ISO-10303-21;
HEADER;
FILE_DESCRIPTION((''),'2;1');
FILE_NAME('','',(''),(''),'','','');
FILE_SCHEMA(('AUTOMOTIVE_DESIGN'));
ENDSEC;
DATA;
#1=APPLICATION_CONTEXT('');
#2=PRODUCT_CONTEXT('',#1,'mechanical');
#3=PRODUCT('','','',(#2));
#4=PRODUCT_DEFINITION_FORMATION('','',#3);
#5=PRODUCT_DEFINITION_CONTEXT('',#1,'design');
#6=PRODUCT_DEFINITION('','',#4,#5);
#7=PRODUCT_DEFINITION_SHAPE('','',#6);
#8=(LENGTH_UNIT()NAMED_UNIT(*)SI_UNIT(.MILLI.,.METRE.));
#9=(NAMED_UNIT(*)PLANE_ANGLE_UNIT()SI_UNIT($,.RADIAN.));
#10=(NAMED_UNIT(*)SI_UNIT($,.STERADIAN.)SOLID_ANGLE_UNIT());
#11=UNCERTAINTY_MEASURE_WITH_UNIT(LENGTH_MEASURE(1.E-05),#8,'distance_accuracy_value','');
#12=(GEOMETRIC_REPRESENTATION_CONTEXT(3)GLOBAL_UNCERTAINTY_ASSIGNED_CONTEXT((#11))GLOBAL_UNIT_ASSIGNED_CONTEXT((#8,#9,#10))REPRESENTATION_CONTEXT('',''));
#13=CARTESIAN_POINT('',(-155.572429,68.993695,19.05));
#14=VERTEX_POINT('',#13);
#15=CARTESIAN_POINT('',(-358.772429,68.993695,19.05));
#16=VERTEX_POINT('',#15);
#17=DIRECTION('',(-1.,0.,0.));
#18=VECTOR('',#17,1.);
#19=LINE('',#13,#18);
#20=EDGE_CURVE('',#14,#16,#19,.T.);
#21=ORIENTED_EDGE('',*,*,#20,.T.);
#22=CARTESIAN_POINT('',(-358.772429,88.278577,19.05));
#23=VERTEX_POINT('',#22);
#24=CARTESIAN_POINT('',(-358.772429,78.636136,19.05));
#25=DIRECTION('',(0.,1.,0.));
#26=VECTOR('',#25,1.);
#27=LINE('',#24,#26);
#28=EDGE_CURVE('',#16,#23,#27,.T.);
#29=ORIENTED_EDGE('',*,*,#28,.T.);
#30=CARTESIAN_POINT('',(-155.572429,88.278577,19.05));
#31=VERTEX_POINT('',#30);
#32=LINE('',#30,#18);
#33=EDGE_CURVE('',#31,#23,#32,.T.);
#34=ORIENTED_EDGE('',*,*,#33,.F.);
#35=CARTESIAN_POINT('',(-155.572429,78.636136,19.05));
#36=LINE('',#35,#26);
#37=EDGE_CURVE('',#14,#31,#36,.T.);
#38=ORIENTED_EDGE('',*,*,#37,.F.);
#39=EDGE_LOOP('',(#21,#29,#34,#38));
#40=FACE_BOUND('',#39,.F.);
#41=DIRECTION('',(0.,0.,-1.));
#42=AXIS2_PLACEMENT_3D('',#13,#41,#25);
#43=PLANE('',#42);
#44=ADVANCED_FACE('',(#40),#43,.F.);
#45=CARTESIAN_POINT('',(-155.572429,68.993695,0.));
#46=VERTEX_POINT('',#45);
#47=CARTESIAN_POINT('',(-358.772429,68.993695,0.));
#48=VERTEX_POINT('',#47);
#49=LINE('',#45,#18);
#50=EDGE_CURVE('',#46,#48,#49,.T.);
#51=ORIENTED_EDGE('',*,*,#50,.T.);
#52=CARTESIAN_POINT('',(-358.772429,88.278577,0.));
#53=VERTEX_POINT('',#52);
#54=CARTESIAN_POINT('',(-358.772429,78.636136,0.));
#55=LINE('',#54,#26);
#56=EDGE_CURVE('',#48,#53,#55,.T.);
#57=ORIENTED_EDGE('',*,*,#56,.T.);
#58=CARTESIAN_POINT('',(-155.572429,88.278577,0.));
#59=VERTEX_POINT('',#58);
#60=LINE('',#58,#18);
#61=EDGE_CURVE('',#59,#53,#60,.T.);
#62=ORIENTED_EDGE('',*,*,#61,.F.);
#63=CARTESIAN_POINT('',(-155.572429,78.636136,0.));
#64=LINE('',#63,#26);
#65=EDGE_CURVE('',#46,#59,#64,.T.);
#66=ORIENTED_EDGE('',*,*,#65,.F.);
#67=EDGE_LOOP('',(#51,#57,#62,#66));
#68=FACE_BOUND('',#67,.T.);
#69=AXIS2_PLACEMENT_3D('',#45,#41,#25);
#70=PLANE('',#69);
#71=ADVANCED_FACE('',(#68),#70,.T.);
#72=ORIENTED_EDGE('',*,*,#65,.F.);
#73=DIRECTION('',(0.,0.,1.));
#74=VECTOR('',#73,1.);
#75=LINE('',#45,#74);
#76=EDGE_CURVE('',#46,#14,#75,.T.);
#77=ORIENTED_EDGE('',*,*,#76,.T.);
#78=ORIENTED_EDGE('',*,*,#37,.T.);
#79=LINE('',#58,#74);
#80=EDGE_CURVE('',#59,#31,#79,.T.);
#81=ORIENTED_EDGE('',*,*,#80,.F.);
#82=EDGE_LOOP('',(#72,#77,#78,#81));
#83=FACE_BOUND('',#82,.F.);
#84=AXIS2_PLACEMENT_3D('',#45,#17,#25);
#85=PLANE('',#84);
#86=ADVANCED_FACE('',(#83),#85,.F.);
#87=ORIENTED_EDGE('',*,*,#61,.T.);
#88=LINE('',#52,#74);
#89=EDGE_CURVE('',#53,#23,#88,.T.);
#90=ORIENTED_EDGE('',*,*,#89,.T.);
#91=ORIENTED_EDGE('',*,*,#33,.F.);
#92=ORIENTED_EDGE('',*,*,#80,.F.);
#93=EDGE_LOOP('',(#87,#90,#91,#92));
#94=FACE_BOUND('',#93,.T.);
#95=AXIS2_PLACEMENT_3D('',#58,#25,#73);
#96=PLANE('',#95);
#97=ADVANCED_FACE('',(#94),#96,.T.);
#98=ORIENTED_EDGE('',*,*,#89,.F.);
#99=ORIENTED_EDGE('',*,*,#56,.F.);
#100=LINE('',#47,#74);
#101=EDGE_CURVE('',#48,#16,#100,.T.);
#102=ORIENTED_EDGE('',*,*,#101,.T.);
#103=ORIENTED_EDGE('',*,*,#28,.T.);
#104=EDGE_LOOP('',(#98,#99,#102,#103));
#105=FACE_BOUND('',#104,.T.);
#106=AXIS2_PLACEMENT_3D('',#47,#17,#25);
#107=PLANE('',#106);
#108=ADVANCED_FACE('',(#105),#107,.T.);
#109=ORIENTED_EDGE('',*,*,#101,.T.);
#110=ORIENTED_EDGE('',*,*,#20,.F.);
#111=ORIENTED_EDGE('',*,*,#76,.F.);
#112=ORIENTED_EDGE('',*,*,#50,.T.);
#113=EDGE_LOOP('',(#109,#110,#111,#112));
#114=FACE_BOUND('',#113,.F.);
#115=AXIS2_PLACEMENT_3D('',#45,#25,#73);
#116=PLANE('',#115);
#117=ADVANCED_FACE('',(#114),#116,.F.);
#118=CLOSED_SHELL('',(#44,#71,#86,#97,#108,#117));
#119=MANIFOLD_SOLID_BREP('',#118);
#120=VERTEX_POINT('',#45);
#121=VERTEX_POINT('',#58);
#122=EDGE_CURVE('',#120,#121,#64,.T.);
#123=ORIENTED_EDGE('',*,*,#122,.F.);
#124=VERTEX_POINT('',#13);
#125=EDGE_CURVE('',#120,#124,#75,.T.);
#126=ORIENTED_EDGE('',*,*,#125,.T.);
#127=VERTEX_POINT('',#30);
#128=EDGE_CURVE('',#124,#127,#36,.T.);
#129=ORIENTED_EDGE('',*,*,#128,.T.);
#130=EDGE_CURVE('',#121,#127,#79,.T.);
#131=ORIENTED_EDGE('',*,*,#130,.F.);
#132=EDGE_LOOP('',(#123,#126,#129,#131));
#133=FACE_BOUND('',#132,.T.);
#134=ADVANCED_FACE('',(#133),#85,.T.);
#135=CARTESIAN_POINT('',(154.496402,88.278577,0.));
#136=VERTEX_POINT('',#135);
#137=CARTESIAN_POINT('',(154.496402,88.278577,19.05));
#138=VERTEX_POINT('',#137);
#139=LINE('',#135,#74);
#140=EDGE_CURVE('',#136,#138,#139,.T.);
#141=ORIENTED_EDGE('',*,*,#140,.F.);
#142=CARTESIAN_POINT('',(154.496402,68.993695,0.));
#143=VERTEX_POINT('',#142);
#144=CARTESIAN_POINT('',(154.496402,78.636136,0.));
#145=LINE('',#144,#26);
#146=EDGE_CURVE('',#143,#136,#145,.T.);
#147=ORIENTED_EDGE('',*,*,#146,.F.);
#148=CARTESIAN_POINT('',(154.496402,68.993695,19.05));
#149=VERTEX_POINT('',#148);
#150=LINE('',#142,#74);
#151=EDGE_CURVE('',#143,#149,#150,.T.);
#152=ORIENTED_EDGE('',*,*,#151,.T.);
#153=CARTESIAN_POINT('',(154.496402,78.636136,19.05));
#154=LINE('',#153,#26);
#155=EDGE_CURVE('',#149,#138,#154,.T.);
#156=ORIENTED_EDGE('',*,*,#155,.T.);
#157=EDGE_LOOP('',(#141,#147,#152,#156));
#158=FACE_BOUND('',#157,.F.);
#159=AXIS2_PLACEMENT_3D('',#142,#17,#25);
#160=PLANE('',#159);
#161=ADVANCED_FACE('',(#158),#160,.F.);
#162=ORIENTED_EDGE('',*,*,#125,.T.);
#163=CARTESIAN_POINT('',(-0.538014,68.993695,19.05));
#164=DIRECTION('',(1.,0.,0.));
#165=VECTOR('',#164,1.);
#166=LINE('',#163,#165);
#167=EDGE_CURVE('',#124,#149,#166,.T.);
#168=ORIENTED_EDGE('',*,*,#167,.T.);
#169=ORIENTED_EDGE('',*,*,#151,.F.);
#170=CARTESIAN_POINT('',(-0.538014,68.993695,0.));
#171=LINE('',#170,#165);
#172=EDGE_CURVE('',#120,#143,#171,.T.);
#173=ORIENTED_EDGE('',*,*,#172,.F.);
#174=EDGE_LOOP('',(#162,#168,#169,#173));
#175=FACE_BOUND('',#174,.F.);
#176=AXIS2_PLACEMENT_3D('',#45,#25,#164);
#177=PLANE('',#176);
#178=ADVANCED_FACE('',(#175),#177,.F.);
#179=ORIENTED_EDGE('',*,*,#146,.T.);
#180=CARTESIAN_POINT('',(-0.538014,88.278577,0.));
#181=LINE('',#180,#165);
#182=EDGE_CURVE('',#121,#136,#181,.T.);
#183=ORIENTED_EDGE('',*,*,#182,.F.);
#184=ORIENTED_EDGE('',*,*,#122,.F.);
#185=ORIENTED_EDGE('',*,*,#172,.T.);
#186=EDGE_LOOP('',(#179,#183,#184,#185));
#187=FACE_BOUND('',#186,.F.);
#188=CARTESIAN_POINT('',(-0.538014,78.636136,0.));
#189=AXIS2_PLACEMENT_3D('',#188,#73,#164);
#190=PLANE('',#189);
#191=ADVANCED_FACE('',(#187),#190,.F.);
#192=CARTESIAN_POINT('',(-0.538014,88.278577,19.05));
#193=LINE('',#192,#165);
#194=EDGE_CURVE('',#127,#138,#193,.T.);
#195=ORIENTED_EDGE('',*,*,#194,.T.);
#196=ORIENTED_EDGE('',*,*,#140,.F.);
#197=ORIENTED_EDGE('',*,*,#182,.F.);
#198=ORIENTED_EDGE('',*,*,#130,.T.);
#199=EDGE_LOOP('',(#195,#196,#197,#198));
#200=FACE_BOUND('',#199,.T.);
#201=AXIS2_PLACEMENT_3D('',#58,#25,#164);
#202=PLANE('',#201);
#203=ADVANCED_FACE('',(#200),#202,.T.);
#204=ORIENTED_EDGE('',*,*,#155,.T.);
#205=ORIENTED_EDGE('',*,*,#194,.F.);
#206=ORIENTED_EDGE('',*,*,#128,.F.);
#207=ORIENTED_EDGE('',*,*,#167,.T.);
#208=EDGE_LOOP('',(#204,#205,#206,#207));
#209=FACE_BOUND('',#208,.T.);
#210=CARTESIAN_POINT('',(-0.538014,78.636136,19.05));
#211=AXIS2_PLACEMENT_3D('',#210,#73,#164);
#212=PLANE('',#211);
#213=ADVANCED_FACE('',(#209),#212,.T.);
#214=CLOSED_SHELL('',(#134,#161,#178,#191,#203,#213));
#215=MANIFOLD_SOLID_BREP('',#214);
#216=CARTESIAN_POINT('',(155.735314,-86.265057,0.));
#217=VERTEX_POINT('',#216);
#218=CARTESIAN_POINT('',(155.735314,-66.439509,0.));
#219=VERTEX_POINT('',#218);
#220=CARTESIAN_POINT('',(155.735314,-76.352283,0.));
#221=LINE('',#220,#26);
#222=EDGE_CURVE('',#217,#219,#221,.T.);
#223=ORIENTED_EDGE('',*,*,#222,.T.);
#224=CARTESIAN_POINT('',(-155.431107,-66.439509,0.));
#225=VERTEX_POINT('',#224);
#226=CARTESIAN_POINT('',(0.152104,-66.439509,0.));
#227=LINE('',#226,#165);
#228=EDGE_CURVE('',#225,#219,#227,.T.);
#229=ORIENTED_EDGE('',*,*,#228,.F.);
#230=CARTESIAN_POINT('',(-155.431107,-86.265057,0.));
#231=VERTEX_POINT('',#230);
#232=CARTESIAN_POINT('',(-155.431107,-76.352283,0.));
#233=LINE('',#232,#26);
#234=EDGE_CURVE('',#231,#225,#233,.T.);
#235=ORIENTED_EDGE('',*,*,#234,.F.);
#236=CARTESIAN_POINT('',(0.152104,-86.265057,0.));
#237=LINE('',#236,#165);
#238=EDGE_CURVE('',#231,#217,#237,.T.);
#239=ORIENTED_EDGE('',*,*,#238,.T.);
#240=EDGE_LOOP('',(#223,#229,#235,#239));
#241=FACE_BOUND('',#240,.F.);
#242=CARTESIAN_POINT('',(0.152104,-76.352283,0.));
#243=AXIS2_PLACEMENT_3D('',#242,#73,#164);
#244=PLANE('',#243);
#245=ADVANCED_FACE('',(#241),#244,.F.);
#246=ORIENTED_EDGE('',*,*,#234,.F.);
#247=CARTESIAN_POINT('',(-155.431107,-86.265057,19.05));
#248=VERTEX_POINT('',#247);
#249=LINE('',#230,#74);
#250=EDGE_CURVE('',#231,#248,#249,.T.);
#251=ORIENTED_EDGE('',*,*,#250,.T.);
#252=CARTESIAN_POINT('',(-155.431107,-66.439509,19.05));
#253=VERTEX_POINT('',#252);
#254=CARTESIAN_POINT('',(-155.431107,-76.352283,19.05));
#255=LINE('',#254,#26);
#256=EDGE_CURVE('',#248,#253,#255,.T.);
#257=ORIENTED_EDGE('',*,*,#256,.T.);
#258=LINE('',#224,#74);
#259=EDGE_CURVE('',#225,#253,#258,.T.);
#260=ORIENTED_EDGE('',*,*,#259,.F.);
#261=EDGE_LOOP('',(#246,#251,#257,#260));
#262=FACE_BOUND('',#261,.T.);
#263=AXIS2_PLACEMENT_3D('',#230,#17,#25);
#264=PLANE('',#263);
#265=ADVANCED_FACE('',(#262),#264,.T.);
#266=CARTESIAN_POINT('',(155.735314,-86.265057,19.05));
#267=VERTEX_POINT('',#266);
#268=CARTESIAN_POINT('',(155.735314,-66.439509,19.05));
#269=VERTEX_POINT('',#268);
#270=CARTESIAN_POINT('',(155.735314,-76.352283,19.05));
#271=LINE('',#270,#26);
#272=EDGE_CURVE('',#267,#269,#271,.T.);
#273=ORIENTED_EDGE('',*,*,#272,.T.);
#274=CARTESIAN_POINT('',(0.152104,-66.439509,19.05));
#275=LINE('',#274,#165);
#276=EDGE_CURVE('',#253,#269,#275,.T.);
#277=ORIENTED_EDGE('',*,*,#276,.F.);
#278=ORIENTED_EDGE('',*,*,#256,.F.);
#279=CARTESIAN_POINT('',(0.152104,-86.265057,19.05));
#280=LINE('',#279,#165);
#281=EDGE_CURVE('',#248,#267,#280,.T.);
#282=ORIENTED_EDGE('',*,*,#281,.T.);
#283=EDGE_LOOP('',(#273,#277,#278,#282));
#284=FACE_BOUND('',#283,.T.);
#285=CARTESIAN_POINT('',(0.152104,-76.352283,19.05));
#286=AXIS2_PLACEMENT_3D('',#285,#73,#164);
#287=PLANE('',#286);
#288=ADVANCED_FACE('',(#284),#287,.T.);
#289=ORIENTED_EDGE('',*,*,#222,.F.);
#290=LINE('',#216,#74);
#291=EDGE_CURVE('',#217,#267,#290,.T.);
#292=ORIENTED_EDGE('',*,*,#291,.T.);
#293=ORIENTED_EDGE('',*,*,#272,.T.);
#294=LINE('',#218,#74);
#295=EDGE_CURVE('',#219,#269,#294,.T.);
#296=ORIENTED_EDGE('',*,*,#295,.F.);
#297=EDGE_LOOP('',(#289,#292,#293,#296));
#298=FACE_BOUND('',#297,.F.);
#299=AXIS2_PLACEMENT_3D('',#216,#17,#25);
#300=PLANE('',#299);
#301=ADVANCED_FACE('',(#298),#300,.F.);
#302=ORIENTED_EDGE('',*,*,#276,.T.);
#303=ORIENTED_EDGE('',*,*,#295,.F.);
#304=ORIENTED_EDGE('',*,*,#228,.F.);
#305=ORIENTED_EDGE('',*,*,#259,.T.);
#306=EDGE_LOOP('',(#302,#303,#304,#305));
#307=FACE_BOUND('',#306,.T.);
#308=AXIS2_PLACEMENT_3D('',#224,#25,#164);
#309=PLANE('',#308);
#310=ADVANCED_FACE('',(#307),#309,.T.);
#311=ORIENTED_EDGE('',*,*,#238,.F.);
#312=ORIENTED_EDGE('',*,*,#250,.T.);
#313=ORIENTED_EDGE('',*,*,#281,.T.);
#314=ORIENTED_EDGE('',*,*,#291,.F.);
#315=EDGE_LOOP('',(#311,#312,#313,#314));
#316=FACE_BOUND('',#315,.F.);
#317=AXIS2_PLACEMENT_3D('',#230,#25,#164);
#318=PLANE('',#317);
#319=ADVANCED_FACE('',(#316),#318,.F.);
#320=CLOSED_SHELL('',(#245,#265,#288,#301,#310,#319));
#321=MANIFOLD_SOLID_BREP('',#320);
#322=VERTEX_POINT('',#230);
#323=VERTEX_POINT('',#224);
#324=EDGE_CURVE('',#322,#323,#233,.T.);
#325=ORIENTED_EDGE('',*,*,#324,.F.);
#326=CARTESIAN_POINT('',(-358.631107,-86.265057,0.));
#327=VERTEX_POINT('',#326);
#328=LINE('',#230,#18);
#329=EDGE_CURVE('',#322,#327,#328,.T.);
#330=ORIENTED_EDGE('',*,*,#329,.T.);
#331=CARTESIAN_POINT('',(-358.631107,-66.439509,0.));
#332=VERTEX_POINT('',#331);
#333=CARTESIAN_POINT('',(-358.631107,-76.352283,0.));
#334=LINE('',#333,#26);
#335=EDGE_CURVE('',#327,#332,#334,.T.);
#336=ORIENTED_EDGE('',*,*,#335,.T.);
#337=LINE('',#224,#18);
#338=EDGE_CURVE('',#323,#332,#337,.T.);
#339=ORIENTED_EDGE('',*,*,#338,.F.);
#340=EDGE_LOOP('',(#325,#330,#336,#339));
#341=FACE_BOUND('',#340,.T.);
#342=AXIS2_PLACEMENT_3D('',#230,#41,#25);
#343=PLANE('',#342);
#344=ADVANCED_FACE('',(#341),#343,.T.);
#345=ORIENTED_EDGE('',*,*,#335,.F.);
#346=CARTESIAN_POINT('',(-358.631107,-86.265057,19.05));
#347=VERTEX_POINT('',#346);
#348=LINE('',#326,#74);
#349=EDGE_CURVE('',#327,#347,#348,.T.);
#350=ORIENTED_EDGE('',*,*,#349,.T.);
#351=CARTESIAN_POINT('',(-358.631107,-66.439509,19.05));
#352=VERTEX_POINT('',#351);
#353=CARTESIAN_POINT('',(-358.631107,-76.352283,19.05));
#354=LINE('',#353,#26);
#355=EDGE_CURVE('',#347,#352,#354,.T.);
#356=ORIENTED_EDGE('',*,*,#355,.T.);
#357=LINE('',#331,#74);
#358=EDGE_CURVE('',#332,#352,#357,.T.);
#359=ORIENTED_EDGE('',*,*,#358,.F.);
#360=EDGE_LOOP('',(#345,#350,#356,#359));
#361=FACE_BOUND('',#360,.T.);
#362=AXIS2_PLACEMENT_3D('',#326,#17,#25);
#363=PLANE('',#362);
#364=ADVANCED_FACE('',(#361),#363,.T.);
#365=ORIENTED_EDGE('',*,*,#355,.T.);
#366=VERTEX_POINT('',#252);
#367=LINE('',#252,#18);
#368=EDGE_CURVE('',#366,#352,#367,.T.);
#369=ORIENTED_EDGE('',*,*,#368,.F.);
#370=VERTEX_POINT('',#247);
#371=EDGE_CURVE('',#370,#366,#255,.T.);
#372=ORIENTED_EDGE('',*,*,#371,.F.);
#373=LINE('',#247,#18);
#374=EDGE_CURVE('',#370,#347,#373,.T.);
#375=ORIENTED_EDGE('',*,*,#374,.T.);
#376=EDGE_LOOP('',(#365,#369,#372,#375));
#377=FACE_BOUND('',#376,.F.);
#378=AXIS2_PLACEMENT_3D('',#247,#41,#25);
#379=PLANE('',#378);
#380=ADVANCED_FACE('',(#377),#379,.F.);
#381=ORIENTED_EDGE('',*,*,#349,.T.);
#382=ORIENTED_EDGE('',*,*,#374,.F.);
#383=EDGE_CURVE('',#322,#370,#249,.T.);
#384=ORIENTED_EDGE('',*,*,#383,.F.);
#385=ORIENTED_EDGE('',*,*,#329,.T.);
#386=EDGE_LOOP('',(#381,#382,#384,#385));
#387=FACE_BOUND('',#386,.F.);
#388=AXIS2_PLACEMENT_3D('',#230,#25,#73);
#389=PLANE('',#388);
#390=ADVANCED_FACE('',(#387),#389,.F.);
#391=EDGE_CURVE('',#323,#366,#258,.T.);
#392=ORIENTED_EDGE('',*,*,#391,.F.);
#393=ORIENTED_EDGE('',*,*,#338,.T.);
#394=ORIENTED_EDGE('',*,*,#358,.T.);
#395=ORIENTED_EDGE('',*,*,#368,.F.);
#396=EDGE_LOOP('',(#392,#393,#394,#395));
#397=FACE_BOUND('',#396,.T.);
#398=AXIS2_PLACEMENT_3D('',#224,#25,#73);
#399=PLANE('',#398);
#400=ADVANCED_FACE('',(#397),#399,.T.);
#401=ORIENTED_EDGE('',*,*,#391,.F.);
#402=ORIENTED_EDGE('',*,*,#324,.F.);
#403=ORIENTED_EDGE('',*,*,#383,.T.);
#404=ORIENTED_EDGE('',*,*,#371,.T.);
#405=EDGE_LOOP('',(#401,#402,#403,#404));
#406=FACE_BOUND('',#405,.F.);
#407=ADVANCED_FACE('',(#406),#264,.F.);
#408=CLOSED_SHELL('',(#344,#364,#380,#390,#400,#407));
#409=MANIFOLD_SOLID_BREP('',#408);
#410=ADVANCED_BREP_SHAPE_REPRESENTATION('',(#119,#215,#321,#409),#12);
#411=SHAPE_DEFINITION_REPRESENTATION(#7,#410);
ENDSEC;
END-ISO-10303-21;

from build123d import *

# Parameters (mm, degrees)
F0_W     = 311.166420579
F0_H     = 19.8255479336
F1_DEPTH = 19.05
F0_W_2   = 310.0688308477
F0_H_2   = 19.2848816514
F2_DEPTH = 203.2


with BuildPart() as f1:
    # F0 (on Top) → F1 (new body)
    with BuildSketch(Plane.XY):
        with Locations((0.1521036029, -76.3522833586)):
            Rectangle(F0_W, F0_H)
    extrude(amount=F1_DEPTH)


with BuildPart() as f1b:
    # F0 (on Top) → F1, piece 2 (new body)
    with BuildSketch(Plane.XY):
        with Locations((-0.5380138755, 78.636135906)):
            Rectangle(F0_W_2, F0_H_2)
    extrude(amount=F1_DEPTH)


with BuildPart() as f2:
    # F2 (new): a face of the model
    f2_faces = [f1b.part.faces().sort_by_distance(p)[0] for p in [
        (-155.5724292994, 78.636135906, 9.525),
    ]]
    extrude(f2_faces, amount=F2_DEPTH)


with BuildPart() as f2b:
    # F2#2 (new): a face of the model
    f2_2_faces = [f1.part.faces().sort_by_distance(p)[0] for p in [
        (-155.4311066866, -76.3522833586, 9.525),
    ]]
    extrude(f2_2_faces, amount=F2_DEPTH)


solid = Compound([f1.part, f1b.part, f2.part, f2b.part])
